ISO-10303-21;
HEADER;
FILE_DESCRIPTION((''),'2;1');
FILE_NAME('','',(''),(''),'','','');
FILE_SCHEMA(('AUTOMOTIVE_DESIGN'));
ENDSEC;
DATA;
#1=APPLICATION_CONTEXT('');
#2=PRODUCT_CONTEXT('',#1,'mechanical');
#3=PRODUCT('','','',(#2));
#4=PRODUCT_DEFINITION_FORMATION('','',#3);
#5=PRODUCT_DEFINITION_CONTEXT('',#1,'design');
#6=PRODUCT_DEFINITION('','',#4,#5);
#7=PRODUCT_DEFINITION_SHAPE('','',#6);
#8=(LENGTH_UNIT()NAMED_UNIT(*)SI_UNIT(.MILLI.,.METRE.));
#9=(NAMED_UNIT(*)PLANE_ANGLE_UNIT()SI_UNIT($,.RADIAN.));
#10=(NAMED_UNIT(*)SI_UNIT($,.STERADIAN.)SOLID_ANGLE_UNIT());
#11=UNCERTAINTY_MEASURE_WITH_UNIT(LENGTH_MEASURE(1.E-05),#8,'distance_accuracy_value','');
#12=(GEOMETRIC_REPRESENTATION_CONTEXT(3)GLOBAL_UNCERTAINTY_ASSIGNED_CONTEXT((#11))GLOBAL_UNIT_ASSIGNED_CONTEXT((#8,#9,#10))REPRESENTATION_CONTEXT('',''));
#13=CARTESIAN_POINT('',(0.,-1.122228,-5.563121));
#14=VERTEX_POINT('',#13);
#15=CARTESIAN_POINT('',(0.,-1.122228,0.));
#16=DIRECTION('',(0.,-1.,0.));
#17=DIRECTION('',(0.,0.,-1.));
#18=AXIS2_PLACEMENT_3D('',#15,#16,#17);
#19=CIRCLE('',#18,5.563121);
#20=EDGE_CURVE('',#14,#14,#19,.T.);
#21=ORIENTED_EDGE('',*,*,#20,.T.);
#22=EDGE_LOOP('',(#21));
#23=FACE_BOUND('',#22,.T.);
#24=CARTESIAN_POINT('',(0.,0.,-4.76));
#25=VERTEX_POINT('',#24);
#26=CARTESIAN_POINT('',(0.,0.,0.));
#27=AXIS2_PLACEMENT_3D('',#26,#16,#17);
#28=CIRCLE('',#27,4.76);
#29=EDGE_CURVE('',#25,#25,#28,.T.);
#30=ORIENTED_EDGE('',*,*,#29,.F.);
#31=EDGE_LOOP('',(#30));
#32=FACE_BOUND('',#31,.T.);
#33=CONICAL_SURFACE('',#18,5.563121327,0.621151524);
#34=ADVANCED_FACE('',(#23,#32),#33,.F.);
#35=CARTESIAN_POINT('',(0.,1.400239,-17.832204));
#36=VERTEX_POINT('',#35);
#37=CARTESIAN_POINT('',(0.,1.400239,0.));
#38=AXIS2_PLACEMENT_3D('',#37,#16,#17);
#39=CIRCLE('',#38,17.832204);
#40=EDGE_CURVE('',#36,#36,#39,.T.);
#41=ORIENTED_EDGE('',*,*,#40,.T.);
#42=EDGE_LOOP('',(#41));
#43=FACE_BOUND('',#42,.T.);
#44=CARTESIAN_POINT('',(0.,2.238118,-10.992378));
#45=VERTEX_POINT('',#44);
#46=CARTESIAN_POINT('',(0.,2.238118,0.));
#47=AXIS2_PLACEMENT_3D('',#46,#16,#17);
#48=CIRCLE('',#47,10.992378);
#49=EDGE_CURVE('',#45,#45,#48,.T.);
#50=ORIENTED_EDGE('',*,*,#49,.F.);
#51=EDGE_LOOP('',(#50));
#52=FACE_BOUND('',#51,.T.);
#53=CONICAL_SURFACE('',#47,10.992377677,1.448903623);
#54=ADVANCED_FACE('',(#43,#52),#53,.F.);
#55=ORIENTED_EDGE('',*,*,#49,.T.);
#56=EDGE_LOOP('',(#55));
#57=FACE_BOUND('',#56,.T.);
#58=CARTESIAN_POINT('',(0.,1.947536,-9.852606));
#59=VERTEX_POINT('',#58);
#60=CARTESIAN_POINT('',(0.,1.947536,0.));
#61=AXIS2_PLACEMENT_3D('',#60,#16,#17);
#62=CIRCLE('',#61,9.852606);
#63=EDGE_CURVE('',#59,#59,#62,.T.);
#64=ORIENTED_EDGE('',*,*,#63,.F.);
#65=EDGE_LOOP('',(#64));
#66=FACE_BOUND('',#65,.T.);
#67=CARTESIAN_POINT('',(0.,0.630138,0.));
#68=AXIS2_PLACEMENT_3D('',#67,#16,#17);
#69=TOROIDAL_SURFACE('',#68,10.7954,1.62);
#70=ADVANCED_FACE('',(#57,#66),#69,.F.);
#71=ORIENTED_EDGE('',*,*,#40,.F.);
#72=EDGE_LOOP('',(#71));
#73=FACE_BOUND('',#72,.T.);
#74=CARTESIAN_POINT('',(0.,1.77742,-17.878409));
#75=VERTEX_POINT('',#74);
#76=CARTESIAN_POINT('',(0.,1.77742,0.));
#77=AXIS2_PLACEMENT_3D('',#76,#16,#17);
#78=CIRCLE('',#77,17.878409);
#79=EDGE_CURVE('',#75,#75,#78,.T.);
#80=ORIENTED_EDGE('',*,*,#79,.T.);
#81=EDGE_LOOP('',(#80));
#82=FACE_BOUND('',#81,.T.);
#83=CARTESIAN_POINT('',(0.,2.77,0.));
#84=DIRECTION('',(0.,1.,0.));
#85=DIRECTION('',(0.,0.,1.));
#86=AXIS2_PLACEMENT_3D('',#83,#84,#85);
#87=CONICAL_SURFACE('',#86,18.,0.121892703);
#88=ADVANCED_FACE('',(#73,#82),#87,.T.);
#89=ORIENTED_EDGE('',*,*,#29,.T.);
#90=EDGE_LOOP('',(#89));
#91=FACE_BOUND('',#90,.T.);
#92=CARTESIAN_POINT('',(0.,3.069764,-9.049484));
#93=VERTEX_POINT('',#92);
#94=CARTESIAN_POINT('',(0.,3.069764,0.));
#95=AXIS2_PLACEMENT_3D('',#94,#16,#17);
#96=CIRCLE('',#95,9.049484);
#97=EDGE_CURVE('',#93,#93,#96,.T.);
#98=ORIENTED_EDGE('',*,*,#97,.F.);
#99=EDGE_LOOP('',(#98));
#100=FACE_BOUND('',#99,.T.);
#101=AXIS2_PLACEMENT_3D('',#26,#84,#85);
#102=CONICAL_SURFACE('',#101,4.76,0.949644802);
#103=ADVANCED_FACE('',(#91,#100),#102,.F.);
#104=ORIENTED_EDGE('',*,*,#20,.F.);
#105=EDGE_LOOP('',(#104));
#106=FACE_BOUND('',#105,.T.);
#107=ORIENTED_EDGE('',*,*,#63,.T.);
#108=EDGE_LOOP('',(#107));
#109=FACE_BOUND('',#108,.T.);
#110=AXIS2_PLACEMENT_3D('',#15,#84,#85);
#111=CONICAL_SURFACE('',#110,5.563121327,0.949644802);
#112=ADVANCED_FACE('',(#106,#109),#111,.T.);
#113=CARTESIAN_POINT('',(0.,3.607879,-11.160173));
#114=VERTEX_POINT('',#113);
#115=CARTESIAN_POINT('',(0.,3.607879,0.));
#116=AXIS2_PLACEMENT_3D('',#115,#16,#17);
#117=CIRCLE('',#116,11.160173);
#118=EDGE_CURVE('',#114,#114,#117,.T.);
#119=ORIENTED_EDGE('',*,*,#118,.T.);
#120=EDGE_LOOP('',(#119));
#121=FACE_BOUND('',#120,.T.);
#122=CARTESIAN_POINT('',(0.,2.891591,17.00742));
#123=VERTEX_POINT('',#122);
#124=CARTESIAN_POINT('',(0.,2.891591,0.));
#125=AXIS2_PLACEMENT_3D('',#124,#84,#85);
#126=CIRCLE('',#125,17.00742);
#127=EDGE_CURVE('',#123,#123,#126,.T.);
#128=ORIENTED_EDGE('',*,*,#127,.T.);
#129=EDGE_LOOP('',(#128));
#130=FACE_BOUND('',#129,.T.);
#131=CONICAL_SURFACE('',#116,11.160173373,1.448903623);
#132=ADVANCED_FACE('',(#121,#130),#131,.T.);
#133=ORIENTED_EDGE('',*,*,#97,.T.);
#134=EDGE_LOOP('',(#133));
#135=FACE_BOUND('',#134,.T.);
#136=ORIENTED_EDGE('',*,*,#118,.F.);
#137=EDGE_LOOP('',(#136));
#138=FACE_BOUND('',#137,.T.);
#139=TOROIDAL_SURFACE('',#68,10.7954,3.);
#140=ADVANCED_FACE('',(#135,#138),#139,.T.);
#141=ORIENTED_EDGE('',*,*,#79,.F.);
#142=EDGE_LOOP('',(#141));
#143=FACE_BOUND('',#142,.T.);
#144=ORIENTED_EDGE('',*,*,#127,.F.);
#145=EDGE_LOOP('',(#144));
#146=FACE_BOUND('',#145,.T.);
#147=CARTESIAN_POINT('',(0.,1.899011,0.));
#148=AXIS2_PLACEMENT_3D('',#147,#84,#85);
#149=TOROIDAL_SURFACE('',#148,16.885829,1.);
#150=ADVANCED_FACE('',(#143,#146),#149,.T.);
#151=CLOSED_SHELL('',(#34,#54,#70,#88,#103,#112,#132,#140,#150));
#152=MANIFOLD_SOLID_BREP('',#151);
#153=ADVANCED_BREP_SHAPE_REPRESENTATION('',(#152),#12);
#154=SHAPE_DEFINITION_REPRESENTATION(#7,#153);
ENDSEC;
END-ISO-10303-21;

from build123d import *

# Parameters (mm, degrees)
FILLET1_R = 1


with BuildPart() as part:
    # Sketch1 → Revolve-Thin2 (revolve)
    with BuildSketch(Plane.XY, mode=Mode.PRIVATE) as revolve_thin2_sk:
        with BuildLine():
            Line((4.76, 0), (9.049484193, 3.069764451))
            ThreePointArc((9.049484193, 3.069764451), (10.0542655, 3.537150049), (11.160173373, 3.607878762))
            Line((11.160173373, 3.607878762), (18, 2.77))
            Line((18, 2.77), (17.832204304, 1.400239216))
            Line((17.832204304, 1.400239216), (10.992377677, 2.238117978))
            ThreePointArc((10.992377677, 2.238117978), (10.395187426, 2.199924473), (9.85260552, 1.94753625))
            Line((9.85260552, 1.94753625), (5.563121327, -1.122228201))
            Line((5.563121327, -1.122228201), (4.76, 0))
        make_face()
    revolve(revolve_thin2_sk.sketch.rotate(Axis((0, 0, 0), (0, 1, 0)), 90), axis=Axis((0, 0, 0), (0, 1, 0)))

    # Fillet1
    fillet1_edges = [part.edges().sort_by_distance(p)[0] for p in [
        (0, 2.77, 18),
    ]]
    fillet(fillet1_edges, radius=FILLET1_R)


solid = part.part
